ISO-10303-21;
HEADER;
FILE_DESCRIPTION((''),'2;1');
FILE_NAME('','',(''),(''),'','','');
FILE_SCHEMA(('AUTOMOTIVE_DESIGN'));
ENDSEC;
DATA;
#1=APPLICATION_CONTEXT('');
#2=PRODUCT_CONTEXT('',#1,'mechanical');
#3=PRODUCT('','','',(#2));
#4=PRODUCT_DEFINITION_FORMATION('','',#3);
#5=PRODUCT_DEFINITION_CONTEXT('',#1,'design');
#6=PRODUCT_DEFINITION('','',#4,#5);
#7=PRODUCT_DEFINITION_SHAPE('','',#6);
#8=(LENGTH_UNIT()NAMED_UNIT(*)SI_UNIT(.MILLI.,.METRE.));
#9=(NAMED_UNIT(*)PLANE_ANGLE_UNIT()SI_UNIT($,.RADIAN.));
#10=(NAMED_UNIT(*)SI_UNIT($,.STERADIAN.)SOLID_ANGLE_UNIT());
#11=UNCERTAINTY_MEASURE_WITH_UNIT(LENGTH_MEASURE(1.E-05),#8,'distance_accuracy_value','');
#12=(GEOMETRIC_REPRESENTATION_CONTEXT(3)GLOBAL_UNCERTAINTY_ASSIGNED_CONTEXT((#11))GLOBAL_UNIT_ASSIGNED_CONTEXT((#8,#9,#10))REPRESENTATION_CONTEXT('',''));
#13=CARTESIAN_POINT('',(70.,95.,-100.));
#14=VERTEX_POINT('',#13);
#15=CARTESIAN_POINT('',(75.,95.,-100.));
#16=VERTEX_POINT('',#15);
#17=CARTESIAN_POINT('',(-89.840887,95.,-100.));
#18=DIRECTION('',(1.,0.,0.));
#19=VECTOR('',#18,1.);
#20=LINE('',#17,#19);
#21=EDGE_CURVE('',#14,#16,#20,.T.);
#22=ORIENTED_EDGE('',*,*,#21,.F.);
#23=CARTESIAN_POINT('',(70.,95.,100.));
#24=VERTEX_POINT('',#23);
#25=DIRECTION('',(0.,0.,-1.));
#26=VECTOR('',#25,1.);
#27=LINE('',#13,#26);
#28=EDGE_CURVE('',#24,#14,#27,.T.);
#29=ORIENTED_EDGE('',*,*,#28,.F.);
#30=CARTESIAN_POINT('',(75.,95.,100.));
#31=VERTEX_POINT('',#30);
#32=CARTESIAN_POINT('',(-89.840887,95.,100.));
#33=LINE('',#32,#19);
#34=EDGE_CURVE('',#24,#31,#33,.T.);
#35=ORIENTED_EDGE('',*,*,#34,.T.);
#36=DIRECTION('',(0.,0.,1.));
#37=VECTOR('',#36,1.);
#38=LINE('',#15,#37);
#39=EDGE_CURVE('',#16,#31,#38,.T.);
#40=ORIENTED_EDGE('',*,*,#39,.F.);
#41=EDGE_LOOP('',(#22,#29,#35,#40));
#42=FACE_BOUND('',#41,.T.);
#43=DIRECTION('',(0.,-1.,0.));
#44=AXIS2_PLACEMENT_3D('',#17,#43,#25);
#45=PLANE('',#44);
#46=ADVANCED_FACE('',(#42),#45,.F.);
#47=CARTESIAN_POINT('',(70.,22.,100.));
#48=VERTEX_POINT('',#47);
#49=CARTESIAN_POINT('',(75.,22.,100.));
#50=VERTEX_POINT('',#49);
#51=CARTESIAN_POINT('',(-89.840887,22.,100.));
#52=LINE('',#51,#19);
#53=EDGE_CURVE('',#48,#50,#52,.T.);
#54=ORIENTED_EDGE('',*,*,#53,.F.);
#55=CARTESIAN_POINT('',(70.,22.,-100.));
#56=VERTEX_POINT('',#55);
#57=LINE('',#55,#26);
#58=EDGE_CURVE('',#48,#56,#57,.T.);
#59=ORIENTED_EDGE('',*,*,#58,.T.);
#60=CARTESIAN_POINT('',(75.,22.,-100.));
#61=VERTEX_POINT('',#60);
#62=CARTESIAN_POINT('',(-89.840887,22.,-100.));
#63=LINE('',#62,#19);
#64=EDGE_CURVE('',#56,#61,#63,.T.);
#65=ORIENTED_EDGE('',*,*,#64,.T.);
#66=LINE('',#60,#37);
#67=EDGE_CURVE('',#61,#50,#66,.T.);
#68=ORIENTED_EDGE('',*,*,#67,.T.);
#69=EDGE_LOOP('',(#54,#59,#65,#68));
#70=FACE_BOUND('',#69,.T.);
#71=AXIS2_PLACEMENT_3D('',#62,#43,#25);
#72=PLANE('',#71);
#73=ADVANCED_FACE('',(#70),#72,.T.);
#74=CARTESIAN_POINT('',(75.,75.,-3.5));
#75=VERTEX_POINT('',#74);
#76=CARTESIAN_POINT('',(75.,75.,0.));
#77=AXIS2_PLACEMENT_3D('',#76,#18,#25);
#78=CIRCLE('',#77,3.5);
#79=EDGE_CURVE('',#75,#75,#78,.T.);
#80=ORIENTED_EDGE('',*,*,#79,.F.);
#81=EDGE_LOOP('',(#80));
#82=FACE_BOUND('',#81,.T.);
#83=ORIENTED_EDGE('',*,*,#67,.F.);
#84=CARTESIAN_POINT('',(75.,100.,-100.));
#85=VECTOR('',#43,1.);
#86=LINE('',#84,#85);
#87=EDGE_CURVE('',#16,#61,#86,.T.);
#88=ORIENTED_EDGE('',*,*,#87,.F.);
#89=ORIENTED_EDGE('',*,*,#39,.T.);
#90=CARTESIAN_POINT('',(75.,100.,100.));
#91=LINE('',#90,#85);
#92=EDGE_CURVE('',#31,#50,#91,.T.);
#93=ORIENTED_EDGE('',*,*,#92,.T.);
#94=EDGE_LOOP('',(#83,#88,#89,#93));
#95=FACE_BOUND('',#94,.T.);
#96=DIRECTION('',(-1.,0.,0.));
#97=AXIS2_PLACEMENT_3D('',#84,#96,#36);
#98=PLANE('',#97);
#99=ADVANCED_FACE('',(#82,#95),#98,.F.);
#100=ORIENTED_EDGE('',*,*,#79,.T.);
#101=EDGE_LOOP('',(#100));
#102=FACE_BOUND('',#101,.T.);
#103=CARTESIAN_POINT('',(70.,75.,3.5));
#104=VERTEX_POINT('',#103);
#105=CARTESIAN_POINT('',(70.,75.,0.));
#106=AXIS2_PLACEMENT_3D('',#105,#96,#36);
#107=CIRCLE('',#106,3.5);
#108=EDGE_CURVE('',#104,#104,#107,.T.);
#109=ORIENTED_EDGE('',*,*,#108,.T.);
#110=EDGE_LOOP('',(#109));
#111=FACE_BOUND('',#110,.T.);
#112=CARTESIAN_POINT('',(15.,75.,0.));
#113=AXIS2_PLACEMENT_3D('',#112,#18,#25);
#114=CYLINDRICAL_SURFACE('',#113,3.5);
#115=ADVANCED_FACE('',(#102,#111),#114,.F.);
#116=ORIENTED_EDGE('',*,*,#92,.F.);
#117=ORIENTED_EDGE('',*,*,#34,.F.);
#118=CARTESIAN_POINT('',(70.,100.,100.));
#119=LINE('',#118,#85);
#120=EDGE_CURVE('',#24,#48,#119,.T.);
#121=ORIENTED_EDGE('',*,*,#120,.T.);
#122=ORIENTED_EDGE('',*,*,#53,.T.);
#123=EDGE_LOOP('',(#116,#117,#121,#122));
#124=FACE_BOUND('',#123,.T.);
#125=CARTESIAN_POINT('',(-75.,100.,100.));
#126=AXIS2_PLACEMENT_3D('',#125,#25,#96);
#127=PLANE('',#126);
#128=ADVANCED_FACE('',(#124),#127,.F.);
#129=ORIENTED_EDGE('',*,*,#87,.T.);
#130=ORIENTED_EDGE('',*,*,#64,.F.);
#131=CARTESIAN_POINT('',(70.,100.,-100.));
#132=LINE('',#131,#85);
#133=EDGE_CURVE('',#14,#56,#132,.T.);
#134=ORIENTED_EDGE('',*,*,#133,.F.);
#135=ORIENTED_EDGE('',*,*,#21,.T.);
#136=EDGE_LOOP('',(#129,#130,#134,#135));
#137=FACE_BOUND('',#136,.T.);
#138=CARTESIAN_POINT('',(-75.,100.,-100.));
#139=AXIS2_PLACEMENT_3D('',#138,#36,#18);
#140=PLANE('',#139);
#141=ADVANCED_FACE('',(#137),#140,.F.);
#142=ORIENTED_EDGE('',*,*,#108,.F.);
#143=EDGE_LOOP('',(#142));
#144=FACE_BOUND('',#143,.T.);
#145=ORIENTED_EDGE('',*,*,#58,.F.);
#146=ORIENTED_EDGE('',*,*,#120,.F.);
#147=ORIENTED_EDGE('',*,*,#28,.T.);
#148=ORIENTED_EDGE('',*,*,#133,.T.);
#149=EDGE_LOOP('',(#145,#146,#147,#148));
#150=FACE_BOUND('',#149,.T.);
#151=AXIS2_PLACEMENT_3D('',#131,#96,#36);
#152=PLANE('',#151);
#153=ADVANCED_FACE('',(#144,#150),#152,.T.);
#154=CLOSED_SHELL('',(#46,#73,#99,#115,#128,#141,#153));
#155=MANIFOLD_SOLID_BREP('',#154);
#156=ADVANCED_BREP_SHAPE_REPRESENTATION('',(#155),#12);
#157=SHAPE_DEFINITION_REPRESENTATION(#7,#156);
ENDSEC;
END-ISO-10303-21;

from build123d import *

# Parameters (mm, degrees)
SKETCH1_W           = 150
SKETCH1_H           = 200
BOSS_EXTRUDE1_DEPTH = 100
SHELL2_T            = -5
SKETCH5_R           = 1.9
CUT_EXTRUDE2_DEPTH  = 10
BOSS_EXTRUDE4_DEPTH = 200
SKETCH9_W           = 101.133931545
SKETCH9_H           = 31.996148617
CUT_EXTRUDE4_DEPTH  = 236.849528301
SKETCH10_R          = 4
CUT_EXTRUDE5_DEPTH  = 10
CUT_EXTRUDE7_REACH  = 162.078
SKETCH11_W          = 140
SKETCH11_H          = 5
SKETCH15_R          = 1.2
CUT_EXTRUDE11_DEPTH = 10
SKETCH36_W          = 60
SKETCH36_H          = 5
BOSS_EXTRUDE7_DEPTH = 10
SKETCH37_R          = 3.5
CUT_EXTRUDE15_DEPTH = 60
SKETCH38_R          = 5
CUT_EXTRUDE16_DEPTH = 70
SKETCH42_W          = 159.84088679
SKETCH42_H          = 73
CUT_EXTRUDE20_DEPTH = 236.849528301


with BuildPart() as part:
    # Sketch1 → Boss-Extrude1 (new body)
    with BuildSketch(Plane(origin=(0, 0, 0), x_dir=(1, 0, 0), z_dir=(0, 1, 0))):
        Rectangle(SKETCH1_W, SKETCH1_H)
    extrude(amount=BOSS_EXTRUDE1_DEPTH)

    # Shell2
    shell2_openings = [part.faces().sort_by_distance(p)[0] for p in [
        (0, 50, -100),
        (0, 50, 100),
    ]]
    offset(amount=SHELL2_T, openings=shell2_openings, kind=Kind.INTERSECTION)

    # Sketch5 → Cut-Extrude2 (cut)
    with BuildSketch(Plane.XZ):
        with Locations(Location((-65, 91, 0), (0, 0, 270))):
            Circle(SKETCH5_R)
        with Locations(Location((-35, 91, 0), (0, 0, 270))):
            Circle(SKETCH5_R)
        with Locations(Location((-65, 67, 0), (0, 0, 270))):
            Circle(SKETCH5_R)
        with Locations(Location((-35, 67, 0), (0, 0, 270))):
            Circle(SKETCH5_R)
    cut_extrude2 = extrude(amount=-CUT_EXTRUDE2_DEPTH, mode=Mode.SUBTRACT)

    # Mirror2: Cut-Extrude2 across plane
    add(cut_extrude2.mirror(Plane.XY), mode=Mode.SUBTRACT)

    # Sketch8 → Boss-Extrude4 (add, through all)
    with BuildSketch(Plane.XY.offset(100)):
        Polygon((-15, 17), (75, 17), (75, 22), (-20, 22), (-20, 0), (-15, 0), align=None)
    extrude(amount=-BOSS_EXTRUDE4_DEPTH)

    # Sketch9 → Cut-Extrude4 (cut, through all)
    with BuildSketch(Plane.XY.offset(100)):
        with Locations((35.566965773, 1.001925691)):
            Rectangle(SKETCH9_W, SKETCH9_H)
    extrude(amount=-CUT_EXTRUDE4_DEPTH, mode=Mode.SUBTRACT)

    # Sketch10 → Cut-Extrude5 (cut)
    with BuildSketch(Plane.XZ.offset(-17)):
        with Locations((60, 0)):
            Circle(SKETCH10_R)
    extrude(amount=-CUT_EXTRUDE5_DEPTH, mode=Mode.SUBTRACT)

    # Cut-Extrude7: up to this face of the body (flat: up to its plane)
    cut_extrude7_end = Plane(part.part.faces().sort_by_distance((-44.954220044, 5, 0))[0])
    # Sketch11 → Cut-Extrude7 (cut, up to the picked face)
    with BuildSketch(Plane(origin=(0, 100, 0), x_dir=(1, 0, 0), z_dir=(0, 1, 0)), mode=Mode.PRIVATE) as cut_extrude7_sk1:
        with Locations((0, -92.5)):
            Rectangle(SKETCH11_W, SKETCH11_H)
    cut_extrude7_tool1 = split(extrude(cut_extrude7_sk1.sketch, amount=-CUT_EXTRUDE7_REACH, mode=Mode.PRIVATE), bisect_by=cut_extrude7_end, keep=Keep.BOTH, mode=Mode.PRIVATE)
    cut_extrude7 = cut_extrude7_tool1.solids().sort_by(Axis((0, 100, 92.5), (0, -1, 0)))[0]
    add(cut_extrude7, mode=Mode.SUBTRACT)

    # Mirror3: Cut-Extrude7 across plane
    add(cut_extrude7.mirror(Plane.XY), mode=Mode.SUBTRACT)

    # Sketch15 → Cut-Extrude11 (cut)
    with BuildSketch(Plane(origin=(0, 100, 0), x_dir=(1, 0, 0), z_dir=(0, 1, 0))):
        with Locations(Location((50, 28, 0), (0, 0, 270))):
            Circle(SKETCH15_R)
        with Locations(Location((50, -28, 0), (0, 0, 270))):
            Circle(SKETCH15_R)
        with Locations(Location((-20, 20, 0), (0, 0, 270))):
            Circle(SKETCH15_R)
        with Locations(Location((-20, -20, 0), (0, 0, 270))):
            Circle(SKETCH15_R)
    extrude(amount=-CUT_EXTRUDE11_DEPTH, mode=Mode.SUBTRACT)

    # Sketch36 → Boss-Extrude7 (add)
    with BuildSketch(Plane.ZY.offset(-70)):
        with Locations((-13.202053215, 62.5)):
            Rectangle(SKETCH36_W, SKETCH36_H)
    boss_extrude7 = extrude(amount=BOSS_EXTRUDE7_DEPTH)

    # Mirror5: Boss-Extrude7 across plane
    add(boss_extrude7.mirror(Plane(origin=(0, 0, 0), x_dir=(0, 0, 1), z_dir=(1, 0, 0))))

    # Sketch37 → Cut-Extrude15 (cut)
    with BuildSketch(Plane(origin=(75, 0, 0), x_dir=(0, 0, -1), z_dir=(1, 0, 0))):
        with Locations((0, 75)):
            Circle(SKETCH37_R)
    extrude(amount=-CUT_EXTRUDE15_DEPTH, mode=Mode.SUBTRACT)

    # Sketch38 → Cut-Extrude16 (cut)
    with BuildSketch(Plane.ZY.offset(75)):
        with Locations((0, 80)):
            Circle(SKETCH38_R)
    extrude(amount=-CUT_EXTRUDE16_DEPTH, mode=Mode.SUBTRACT)

    # Sketch42 → Cut-Extrude20 (cut, through all)
    with BuildSketch(Plane.XY.offset(100)):
        with Locations((-9.920443395, 58.5)):
            Rectangle(SKETCH42_W, SKETCH42_H)
        Polygon((-89.84088679, 95), (70, 95), (99.534009441, 95), (99.534009441, 106.078306858), (-89.84088679, 106.078306858), align=None)
        Polygon((106.355095751, 22), (70, 22), (-89.84088679, 22), (-89.84088679, -3.777083183), (106.355095751, -3.777083183), align=None)
    extrude(amount=-CUT_EXTRUDE20_DEPTH, mode=Mode.SUBTRACT)


solid = part.part
